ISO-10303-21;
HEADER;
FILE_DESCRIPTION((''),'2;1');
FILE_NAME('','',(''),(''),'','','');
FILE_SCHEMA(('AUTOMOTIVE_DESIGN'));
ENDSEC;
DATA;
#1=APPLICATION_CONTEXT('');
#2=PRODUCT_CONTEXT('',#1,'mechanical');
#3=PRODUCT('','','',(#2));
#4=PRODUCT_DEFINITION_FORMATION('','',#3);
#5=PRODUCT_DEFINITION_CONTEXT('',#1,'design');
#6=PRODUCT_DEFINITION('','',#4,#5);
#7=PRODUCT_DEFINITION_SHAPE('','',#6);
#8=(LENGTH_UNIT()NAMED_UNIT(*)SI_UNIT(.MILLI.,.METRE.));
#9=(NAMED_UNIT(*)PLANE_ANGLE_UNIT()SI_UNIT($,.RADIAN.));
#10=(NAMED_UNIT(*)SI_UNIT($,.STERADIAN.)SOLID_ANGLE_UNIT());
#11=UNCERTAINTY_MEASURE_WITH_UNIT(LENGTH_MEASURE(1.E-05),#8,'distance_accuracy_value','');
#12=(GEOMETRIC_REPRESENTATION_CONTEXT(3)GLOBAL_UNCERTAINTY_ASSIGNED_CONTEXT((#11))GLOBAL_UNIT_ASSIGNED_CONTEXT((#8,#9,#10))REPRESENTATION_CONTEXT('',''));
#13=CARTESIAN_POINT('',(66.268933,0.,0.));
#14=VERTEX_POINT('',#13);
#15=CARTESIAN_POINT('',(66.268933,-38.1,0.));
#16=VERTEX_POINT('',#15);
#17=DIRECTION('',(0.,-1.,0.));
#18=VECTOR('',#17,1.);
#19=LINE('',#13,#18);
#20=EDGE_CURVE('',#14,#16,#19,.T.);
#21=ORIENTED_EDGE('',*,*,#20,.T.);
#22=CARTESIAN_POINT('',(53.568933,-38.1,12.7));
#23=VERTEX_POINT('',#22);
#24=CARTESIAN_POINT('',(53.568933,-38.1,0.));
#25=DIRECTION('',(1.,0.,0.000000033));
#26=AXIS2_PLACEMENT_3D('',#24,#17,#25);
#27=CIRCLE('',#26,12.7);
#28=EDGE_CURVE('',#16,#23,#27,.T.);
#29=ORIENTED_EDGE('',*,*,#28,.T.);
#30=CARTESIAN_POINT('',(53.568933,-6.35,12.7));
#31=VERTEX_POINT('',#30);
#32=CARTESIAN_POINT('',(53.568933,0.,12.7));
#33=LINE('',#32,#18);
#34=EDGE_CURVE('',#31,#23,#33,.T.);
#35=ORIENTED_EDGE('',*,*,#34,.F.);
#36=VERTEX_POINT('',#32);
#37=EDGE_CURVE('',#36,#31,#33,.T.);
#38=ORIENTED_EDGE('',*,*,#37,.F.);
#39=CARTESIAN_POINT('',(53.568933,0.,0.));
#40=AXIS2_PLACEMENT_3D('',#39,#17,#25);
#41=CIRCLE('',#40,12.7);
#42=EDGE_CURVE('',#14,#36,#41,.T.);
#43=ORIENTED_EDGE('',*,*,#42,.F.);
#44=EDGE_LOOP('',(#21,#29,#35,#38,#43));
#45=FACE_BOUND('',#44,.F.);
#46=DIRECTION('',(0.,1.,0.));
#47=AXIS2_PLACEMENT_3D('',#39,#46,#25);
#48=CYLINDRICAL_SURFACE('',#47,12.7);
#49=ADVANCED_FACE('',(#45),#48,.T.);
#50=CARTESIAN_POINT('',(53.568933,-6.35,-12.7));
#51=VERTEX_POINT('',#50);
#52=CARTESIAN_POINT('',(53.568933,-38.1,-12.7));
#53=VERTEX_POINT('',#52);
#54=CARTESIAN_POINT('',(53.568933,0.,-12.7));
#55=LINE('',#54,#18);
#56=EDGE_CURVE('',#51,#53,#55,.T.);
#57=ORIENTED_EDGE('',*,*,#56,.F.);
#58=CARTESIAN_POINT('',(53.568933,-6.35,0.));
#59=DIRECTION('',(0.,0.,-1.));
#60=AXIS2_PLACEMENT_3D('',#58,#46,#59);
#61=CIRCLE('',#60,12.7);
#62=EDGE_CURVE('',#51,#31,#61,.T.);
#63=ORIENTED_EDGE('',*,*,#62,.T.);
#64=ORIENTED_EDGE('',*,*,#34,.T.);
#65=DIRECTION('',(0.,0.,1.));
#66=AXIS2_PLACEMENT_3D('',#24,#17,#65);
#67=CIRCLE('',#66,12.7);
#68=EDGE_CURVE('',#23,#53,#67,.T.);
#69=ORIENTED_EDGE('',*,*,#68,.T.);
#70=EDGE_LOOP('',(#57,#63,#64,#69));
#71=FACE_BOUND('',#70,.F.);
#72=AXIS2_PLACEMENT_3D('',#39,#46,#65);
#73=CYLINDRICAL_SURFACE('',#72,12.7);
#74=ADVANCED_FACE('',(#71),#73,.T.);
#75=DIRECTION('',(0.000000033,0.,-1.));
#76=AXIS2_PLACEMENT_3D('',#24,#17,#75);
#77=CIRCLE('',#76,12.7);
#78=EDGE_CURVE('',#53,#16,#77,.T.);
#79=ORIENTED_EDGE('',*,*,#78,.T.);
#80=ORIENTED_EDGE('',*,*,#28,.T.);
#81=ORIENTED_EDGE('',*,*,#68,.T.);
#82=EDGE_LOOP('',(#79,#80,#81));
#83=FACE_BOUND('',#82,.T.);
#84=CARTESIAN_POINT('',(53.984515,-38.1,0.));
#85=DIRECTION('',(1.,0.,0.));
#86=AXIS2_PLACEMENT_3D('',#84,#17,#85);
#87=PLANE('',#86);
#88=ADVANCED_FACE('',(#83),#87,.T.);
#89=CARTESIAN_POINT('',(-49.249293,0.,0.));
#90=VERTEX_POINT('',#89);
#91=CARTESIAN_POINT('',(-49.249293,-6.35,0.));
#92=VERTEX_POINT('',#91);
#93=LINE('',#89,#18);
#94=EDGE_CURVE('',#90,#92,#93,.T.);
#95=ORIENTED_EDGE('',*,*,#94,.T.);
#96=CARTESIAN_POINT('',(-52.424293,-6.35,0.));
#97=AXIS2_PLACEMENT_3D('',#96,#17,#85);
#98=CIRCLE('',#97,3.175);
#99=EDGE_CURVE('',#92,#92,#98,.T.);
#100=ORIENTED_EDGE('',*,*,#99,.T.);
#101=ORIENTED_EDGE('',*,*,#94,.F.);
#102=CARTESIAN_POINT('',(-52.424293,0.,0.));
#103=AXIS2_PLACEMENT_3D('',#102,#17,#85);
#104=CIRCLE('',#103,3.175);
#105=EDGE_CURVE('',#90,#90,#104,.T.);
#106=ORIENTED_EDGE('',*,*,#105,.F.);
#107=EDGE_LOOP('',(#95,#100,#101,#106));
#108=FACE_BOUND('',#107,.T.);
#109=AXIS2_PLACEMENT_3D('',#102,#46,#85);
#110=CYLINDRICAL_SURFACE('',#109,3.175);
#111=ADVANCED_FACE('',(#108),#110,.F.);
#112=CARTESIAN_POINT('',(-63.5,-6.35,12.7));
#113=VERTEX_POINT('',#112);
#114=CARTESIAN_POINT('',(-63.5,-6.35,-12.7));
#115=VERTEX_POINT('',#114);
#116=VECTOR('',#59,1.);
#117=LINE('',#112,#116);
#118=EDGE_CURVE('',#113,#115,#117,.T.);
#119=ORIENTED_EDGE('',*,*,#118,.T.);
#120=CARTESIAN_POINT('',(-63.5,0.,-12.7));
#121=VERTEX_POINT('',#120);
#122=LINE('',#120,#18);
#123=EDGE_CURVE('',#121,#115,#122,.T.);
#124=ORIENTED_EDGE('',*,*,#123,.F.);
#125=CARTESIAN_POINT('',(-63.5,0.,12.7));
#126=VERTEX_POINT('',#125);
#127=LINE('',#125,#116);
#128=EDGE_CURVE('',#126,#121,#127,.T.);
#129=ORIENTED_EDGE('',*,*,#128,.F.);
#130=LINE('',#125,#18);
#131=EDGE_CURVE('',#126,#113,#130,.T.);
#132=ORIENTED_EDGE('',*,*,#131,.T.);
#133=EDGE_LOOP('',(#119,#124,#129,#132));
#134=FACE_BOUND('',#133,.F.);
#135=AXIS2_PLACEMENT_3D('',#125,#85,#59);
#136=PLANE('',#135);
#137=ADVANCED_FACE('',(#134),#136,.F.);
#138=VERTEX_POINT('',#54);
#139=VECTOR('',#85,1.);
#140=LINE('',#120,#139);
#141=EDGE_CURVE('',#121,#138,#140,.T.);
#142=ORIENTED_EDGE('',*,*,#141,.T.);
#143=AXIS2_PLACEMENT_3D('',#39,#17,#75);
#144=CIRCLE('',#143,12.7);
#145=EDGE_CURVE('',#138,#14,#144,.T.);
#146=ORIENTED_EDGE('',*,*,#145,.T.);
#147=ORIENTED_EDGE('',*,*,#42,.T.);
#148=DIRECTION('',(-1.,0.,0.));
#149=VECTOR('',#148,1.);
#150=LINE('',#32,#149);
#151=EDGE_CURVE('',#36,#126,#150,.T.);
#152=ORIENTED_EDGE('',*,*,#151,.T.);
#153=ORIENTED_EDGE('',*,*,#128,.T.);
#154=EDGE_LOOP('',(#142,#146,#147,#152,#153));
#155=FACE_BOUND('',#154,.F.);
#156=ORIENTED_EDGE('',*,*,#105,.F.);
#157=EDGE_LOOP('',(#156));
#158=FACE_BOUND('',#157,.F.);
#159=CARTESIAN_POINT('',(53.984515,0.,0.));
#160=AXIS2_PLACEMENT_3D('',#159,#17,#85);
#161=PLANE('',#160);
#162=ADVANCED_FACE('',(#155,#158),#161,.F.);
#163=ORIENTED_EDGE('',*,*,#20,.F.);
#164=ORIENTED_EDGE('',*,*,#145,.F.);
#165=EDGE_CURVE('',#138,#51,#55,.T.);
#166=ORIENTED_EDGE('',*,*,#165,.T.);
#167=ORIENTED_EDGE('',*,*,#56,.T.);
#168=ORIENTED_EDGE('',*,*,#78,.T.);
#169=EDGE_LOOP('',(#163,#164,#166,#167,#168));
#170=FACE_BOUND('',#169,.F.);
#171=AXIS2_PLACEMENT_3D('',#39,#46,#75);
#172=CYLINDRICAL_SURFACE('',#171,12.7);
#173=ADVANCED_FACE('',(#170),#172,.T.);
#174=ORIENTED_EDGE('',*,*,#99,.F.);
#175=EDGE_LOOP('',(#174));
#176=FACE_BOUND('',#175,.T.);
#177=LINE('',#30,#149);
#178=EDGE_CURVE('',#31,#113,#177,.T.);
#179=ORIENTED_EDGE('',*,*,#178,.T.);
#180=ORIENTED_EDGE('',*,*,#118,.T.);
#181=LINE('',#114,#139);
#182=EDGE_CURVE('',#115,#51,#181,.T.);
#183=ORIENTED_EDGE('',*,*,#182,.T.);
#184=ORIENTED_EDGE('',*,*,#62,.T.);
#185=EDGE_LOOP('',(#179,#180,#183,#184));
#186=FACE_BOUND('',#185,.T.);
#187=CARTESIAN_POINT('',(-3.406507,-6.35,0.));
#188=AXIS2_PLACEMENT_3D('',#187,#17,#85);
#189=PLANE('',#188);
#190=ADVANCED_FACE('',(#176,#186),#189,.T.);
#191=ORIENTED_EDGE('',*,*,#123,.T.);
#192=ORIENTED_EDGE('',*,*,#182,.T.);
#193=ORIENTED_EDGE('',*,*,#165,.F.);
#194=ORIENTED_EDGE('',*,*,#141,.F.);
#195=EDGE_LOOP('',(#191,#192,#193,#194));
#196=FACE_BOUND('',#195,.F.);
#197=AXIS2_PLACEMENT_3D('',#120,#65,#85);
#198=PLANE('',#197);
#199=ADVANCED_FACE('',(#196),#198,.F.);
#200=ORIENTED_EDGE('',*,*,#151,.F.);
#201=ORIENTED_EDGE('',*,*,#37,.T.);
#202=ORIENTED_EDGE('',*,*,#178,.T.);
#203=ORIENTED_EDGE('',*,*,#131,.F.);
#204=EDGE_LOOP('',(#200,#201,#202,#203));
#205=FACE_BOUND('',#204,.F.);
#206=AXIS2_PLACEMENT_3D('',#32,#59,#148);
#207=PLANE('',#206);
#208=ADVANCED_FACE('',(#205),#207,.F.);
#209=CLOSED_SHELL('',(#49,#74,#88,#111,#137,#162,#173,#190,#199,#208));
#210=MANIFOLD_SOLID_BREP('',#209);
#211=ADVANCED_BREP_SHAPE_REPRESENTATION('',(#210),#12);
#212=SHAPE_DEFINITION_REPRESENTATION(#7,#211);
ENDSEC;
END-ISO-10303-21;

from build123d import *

# Parameters (mm, degrees)
F0_R     = 3.175
F1_DEPTH = 6.35
F2_DEPTH = 38.1


with BuildPart() as f1:
    # F0 (on Front) → F1 (new body)
    with BuildSketch(Plane.XZ):
        with BuildLine():
            Line((-63.5, -12.7), (53.568933, -12.7))
            ThreePointArc((53.568933, -12.7), (40.868933, 0), (53.568933, 12.7))
            Line((53.568933, 12.7), (-63.5, 12.7))
            Line((-63.5, 12.7), (-63.5, -12.7))
        make_face()
        with Locations((-52.424293, 0)):
            Circle(F0_R, mode=Mode.SUBTRACT)
    extrude(amount=F1_DEPTH)

    # F0 (on Front) → F2 (join)
    with BuildSketch(Plane.XZ):
        with BuildLine():
            ThreePointArc((53.568933, 12.7), (40.868933, 0), (53.568933, -12.7))
            ThreePointArc((53.568933, -12.7), (62.549189, -8.980256), (66.268933, 0))
            ThreePointArc((66.268933, 0), (62.549189, 8.980256), (53.568933, 12.7))
        make_face()
    extrude(amount=F2_DEPTH)


solid = f1.part
